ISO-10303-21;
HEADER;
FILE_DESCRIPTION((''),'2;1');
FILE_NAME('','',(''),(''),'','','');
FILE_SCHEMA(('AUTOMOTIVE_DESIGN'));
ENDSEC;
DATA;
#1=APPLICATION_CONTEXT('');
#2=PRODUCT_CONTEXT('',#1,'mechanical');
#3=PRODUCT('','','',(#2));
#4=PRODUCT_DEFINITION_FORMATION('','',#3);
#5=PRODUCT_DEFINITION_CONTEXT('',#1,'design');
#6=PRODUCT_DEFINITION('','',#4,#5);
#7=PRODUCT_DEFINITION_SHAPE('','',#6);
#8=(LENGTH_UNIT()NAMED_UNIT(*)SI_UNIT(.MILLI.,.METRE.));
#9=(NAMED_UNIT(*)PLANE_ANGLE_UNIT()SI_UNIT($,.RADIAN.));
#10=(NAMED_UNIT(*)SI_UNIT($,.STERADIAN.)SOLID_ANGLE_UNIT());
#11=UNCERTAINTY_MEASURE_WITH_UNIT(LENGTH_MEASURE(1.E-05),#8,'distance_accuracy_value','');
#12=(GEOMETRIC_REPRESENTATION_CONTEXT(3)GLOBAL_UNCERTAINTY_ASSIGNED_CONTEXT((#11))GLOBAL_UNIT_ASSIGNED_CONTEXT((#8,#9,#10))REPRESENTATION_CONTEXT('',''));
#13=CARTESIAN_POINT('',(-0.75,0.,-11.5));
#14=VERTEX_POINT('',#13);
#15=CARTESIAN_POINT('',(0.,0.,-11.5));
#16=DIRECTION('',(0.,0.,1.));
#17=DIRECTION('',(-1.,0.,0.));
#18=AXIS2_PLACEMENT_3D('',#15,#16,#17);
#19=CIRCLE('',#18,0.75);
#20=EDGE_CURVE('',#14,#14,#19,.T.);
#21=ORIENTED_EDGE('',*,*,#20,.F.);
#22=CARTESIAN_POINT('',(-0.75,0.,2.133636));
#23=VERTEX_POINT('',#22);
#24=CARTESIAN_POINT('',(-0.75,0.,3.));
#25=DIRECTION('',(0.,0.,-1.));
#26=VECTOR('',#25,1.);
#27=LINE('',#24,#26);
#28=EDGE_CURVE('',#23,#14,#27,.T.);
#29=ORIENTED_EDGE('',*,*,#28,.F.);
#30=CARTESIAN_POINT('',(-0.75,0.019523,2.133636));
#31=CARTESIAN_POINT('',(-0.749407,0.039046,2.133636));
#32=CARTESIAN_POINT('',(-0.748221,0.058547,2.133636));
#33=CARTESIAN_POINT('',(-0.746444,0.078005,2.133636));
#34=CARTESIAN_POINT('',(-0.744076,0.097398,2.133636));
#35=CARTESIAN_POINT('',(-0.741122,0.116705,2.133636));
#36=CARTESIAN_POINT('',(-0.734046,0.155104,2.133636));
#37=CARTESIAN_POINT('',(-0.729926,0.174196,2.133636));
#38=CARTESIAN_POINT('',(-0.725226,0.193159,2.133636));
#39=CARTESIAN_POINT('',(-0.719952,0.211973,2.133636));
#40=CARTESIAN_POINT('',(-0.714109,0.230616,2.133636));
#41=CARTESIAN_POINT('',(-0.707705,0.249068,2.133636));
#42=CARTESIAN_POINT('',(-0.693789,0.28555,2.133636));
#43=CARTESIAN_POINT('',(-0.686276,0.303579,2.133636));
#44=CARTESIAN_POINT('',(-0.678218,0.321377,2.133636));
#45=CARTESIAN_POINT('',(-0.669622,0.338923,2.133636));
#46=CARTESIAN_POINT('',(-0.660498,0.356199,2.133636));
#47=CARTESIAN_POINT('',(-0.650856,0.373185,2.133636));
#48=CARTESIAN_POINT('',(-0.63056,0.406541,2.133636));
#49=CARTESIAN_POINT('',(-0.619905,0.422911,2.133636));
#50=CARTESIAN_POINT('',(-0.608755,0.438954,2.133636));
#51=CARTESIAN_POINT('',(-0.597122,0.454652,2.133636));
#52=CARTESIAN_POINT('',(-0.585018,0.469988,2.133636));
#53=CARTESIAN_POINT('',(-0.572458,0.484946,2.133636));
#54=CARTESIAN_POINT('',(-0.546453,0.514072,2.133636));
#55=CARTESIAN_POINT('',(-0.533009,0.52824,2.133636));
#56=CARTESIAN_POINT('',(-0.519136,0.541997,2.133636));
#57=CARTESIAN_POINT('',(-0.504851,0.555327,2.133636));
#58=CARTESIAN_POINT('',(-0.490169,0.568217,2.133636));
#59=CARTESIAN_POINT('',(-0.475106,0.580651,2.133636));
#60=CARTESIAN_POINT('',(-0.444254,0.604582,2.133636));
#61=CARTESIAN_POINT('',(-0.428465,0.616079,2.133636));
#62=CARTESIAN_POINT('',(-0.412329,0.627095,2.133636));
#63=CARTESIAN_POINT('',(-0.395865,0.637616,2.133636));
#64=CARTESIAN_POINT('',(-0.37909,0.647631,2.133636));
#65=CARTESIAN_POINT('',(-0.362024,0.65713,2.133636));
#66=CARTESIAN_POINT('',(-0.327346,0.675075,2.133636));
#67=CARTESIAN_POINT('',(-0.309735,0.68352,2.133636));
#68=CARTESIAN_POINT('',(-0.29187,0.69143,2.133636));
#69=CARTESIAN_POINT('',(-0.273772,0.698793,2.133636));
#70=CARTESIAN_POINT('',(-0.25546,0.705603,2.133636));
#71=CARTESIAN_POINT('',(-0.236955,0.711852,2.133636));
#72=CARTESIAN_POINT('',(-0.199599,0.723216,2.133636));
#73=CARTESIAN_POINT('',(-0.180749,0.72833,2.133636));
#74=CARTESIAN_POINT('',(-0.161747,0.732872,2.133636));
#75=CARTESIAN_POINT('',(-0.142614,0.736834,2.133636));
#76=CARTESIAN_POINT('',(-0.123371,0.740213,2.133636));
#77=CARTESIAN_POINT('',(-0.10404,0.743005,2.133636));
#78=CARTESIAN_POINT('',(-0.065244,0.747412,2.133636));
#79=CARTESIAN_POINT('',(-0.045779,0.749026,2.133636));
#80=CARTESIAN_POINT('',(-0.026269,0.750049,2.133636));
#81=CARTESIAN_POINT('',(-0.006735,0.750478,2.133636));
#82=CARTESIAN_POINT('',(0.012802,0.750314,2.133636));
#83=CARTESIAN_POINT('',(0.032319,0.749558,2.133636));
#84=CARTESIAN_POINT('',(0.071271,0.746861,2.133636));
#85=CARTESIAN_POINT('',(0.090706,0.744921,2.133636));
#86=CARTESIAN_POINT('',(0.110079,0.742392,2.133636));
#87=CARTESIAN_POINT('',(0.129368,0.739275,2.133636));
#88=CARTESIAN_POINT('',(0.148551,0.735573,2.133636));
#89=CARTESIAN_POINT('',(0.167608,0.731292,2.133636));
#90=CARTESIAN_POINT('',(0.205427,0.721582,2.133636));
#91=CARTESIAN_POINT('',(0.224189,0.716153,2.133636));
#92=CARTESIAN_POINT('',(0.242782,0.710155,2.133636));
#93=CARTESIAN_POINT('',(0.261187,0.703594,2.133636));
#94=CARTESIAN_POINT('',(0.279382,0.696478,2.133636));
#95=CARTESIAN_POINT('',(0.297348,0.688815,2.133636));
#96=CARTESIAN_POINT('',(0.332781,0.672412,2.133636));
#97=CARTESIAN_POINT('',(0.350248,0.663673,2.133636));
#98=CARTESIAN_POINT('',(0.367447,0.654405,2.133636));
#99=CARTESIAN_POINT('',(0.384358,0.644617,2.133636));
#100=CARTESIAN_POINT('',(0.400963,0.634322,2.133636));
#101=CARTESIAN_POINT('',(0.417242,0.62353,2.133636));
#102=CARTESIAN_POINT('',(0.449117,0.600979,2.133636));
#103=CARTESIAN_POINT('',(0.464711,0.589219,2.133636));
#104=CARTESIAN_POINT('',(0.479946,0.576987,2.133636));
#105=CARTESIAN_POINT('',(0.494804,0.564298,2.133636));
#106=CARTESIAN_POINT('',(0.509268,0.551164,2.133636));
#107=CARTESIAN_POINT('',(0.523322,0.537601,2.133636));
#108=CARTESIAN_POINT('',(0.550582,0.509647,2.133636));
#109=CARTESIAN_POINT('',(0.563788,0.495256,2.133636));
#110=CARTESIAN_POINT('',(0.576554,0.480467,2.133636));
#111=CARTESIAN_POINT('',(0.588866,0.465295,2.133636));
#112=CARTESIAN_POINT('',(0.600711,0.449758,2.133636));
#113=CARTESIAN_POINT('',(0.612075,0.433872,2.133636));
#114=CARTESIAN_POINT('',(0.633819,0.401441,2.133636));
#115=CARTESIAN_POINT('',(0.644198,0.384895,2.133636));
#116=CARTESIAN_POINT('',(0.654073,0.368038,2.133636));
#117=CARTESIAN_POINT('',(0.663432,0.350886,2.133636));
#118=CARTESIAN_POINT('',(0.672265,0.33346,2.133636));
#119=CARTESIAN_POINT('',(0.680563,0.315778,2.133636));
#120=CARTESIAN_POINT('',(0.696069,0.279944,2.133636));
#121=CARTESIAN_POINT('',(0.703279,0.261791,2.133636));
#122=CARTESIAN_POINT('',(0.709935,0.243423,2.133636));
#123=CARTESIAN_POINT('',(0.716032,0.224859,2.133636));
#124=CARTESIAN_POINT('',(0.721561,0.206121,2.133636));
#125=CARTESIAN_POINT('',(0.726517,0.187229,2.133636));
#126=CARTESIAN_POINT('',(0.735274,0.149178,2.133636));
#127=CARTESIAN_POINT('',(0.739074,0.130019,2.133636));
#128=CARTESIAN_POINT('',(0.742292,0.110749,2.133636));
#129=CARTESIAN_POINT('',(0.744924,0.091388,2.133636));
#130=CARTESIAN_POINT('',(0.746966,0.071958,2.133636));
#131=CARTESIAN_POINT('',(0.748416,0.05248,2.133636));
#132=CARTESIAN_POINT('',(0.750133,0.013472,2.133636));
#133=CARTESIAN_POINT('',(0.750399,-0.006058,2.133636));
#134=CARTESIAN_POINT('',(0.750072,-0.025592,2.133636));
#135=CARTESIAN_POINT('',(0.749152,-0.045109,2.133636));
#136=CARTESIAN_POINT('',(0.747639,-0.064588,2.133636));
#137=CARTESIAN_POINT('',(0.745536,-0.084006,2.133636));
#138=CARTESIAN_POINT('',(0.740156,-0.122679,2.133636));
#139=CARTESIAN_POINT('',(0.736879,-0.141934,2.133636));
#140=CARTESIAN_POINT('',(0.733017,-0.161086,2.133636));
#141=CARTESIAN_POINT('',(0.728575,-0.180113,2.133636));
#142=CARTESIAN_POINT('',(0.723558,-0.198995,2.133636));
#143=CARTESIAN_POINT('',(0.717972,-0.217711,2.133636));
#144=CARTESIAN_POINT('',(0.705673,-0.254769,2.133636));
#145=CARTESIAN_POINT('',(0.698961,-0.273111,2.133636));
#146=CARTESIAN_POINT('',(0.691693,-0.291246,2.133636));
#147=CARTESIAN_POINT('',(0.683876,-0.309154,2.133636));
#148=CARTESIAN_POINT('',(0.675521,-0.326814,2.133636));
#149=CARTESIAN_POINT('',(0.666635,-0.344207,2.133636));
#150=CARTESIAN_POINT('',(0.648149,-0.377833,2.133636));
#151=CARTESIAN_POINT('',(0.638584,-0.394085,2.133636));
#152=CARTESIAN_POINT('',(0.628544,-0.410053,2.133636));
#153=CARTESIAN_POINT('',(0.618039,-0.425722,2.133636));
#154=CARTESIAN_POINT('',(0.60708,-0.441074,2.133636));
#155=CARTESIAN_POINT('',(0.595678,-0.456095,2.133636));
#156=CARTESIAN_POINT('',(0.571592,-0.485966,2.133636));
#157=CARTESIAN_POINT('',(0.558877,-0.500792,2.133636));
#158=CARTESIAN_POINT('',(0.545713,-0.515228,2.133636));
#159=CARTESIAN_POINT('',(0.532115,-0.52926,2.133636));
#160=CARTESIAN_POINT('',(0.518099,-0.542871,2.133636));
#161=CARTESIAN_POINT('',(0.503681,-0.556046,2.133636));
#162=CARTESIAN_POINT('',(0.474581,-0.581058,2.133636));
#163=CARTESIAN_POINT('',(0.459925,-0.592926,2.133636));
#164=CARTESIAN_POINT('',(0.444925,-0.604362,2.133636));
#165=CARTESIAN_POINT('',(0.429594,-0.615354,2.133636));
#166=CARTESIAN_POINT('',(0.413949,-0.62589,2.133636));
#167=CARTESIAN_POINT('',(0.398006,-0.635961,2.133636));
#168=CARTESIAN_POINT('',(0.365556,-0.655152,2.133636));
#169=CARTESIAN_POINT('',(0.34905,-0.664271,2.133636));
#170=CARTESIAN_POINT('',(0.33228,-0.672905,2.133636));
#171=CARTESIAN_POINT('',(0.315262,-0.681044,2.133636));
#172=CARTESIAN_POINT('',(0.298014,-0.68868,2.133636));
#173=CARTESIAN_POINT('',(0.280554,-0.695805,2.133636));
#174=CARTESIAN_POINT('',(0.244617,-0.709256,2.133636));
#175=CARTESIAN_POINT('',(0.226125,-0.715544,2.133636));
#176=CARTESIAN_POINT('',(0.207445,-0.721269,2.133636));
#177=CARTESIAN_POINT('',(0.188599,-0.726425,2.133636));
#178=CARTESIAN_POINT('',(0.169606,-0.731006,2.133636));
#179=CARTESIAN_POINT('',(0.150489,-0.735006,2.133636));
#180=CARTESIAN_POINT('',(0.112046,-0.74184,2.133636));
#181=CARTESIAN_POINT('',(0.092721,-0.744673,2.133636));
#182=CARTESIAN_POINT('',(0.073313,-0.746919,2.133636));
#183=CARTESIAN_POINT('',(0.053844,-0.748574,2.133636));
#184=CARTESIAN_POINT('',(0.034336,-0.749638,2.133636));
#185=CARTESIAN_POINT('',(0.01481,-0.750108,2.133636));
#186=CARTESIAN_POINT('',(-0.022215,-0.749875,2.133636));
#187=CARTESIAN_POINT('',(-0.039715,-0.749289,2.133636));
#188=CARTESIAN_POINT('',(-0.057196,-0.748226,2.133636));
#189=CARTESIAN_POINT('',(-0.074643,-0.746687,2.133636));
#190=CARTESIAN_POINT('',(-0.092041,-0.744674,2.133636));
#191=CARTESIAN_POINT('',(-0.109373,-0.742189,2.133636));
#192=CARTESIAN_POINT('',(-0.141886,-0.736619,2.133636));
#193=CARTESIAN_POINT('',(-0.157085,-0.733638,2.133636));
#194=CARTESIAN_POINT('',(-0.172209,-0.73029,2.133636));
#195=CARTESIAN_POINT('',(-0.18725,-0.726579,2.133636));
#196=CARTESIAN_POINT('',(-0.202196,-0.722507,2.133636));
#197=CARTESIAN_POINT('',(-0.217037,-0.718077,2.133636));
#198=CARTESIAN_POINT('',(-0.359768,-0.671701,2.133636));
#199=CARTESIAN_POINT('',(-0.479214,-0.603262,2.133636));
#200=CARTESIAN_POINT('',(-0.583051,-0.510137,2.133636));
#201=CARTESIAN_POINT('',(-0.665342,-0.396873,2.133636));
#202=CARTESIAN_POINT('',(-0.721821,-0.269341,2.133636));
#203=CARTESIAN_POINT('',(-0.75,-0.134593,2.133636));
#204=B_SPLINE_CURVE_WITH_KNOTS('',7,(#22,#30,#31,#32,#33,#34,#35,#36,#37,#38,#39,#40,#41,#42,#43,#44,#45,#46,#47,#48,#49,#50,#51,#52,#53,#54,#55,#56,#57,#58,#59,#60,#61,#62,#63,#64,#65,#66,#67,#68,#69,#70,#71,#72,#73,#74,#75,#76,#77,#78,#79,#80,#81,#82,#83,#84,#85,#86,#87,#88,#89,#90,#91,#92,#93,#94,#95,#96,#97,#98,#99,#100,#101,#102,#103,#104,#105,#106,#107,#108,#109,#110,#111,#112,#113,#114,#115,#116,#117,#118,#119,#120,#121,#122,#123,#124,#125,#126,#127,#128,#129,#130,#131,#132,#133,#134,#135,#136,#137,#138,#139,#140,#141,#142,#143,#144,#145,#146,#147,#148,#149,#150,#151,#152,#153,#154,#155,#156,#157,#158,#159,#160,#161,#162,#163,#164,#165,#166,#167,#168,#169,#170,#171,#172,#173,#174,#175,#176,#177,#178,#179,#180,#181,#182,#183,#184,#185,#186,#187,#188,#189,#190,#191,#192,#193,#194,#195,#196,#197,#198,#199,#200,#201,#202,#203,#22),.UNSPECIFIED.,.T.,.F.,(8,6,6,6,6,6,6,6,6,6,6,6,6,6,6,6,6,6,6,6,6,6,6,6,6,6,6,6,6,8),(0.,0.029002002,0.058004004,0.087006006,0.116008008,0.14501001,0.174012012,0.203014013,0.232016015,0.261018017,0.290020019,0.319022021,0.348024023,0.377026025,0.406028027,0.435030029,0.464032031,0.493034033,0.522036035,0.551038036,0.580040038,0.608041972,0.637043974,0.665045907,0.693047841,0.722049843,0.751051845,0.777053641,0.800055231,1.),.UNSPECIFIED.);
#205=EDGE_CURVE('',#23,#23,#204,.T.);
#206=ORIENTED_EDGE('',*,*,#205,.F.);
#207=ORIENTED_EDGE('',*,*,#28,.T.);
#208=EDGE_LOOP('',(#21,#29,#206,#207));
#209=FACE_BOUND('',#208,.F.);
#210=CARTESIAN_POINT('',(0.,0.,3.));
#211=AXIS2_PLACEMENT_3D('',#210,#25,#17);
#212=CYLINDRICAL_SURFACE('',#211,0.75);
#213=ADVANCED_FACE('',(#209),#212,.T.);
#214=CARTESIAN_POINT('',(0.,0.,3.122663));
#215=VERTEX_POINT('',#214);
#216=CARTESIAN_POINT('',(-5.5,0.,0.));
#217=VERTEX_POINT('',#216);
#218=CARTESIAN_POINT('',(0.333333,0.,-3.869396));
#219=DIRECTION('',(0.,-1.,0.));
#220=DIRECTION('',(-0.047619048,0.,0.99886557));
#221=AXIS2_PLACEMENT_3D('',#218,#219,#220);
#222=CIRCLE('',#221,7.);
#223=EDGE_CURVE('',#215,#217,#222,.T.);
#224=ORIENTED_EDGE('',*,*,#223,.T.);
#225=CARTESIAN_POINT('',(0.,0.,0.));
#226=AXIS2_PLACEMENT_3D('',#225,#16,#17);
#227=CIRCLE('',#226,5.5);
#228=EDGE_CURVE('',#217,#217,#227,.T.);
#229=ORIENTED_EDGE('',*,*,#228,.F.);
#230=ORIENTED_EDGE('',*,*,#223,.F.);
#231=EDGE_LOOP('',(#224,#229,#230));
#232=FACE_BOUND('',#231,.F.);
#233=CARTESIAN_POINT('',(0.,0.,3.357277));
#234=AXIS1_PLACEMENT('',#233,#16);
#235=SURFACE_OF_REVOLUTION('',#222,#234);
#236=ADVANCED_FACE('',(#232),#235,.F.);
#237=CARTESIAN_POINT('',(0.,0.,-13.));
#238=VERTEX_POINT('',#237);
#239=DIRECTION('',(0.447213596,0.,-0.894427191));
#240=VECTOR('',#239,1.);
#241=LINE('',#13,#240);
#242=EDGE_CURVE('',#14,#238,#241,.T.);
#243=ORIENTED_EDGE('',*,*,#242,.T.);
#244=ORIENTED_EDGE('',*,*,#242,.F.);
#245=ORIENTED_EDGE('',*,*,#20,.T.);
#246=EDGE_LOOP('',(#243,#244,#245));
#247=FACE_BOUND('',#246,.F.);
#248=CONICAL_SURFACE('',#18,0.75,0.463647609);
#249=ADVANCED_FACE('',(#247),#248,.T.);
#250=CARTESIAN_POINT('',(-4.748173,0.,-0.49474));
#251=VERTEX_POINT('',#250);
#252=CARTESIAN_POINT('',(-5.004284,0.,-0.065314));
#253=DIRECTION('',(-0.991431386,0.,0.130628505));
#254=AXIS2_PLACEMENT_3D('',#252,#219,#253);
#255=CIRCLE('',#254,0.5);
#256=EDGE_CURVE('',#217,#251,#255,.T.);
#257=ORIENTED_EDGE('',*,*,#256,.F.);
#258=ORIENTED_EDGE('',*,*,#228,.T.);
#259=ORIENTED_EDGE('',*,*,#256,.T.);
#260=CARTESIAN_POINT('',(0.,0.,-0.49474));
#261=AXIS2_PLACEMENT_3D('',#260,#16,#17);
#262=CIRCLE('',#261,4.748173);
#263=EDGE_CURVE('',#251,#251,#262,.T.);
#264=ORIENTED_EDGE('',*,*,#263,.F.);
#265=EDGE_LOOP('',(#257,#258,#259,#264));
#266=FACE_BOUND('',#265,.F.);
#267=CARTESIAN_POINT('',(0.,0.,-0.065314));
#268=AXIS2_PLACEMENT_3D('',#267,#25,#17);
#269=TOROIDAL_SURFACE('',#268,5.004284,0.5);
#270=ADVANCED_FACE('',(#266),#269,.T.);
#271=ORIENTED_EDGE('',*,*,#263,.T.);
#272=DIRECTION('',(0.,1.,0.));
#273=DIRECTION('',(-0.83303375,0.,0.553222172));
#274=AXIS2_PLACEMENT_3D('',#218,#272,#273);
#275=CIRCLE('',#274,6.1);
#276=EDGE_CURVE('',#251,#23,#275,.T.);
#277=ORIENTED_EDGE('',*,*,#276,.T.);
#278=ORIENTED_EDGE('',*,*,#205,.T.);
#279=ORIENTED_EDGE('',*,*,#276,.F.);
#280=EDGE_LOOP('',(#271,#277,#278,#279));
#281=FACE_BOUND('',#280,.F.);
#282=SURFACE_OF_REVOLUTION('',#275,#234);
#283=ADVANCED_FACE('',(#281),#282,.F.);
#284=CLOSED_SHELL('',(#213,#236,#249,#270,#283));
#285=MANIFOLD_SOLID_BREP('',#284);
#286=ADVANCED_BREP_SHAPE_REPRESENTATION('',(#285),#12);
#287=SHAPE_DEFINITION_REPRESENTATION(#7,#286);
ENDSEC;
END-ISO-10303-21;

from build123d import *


with BuildPart() as f2:
    # F0 (on Front) → F2 (revolve)
    with BuildSketch(Plane.XZ):
        with BuildLine():
            Line((0, 2.2214901341), (0, 3.1226633991))
            ThreePointArc((0, 3.1226633991), (-3.1227773594, 2.2179107843), (-5.5, 0))
            ThreePointArc((-5.5, 0), (-5.279137924, -0.4829929439), (-4.7481725398, -0.494740338))
            ThreePointArc((-4.7481725398, -0.494740338), (-2.695626538, 1.4254511605), (0, 2.2214901341))
        make_face()
    revolve(axis=Axis((0, 0, 3.3572772518), (0, 0, 1)))

    # F3 (on Front) → F4 (revolve)
    with BuildSketch(Plane.XZ):
        Polygon((0, -13), (0, 3), (-0.75, 3), (-0.75, -11.5), align=None)
    revolve(axis=Axis((0, 0, 3.3572772518), (0, 0, 1)))


solid = f2.part
